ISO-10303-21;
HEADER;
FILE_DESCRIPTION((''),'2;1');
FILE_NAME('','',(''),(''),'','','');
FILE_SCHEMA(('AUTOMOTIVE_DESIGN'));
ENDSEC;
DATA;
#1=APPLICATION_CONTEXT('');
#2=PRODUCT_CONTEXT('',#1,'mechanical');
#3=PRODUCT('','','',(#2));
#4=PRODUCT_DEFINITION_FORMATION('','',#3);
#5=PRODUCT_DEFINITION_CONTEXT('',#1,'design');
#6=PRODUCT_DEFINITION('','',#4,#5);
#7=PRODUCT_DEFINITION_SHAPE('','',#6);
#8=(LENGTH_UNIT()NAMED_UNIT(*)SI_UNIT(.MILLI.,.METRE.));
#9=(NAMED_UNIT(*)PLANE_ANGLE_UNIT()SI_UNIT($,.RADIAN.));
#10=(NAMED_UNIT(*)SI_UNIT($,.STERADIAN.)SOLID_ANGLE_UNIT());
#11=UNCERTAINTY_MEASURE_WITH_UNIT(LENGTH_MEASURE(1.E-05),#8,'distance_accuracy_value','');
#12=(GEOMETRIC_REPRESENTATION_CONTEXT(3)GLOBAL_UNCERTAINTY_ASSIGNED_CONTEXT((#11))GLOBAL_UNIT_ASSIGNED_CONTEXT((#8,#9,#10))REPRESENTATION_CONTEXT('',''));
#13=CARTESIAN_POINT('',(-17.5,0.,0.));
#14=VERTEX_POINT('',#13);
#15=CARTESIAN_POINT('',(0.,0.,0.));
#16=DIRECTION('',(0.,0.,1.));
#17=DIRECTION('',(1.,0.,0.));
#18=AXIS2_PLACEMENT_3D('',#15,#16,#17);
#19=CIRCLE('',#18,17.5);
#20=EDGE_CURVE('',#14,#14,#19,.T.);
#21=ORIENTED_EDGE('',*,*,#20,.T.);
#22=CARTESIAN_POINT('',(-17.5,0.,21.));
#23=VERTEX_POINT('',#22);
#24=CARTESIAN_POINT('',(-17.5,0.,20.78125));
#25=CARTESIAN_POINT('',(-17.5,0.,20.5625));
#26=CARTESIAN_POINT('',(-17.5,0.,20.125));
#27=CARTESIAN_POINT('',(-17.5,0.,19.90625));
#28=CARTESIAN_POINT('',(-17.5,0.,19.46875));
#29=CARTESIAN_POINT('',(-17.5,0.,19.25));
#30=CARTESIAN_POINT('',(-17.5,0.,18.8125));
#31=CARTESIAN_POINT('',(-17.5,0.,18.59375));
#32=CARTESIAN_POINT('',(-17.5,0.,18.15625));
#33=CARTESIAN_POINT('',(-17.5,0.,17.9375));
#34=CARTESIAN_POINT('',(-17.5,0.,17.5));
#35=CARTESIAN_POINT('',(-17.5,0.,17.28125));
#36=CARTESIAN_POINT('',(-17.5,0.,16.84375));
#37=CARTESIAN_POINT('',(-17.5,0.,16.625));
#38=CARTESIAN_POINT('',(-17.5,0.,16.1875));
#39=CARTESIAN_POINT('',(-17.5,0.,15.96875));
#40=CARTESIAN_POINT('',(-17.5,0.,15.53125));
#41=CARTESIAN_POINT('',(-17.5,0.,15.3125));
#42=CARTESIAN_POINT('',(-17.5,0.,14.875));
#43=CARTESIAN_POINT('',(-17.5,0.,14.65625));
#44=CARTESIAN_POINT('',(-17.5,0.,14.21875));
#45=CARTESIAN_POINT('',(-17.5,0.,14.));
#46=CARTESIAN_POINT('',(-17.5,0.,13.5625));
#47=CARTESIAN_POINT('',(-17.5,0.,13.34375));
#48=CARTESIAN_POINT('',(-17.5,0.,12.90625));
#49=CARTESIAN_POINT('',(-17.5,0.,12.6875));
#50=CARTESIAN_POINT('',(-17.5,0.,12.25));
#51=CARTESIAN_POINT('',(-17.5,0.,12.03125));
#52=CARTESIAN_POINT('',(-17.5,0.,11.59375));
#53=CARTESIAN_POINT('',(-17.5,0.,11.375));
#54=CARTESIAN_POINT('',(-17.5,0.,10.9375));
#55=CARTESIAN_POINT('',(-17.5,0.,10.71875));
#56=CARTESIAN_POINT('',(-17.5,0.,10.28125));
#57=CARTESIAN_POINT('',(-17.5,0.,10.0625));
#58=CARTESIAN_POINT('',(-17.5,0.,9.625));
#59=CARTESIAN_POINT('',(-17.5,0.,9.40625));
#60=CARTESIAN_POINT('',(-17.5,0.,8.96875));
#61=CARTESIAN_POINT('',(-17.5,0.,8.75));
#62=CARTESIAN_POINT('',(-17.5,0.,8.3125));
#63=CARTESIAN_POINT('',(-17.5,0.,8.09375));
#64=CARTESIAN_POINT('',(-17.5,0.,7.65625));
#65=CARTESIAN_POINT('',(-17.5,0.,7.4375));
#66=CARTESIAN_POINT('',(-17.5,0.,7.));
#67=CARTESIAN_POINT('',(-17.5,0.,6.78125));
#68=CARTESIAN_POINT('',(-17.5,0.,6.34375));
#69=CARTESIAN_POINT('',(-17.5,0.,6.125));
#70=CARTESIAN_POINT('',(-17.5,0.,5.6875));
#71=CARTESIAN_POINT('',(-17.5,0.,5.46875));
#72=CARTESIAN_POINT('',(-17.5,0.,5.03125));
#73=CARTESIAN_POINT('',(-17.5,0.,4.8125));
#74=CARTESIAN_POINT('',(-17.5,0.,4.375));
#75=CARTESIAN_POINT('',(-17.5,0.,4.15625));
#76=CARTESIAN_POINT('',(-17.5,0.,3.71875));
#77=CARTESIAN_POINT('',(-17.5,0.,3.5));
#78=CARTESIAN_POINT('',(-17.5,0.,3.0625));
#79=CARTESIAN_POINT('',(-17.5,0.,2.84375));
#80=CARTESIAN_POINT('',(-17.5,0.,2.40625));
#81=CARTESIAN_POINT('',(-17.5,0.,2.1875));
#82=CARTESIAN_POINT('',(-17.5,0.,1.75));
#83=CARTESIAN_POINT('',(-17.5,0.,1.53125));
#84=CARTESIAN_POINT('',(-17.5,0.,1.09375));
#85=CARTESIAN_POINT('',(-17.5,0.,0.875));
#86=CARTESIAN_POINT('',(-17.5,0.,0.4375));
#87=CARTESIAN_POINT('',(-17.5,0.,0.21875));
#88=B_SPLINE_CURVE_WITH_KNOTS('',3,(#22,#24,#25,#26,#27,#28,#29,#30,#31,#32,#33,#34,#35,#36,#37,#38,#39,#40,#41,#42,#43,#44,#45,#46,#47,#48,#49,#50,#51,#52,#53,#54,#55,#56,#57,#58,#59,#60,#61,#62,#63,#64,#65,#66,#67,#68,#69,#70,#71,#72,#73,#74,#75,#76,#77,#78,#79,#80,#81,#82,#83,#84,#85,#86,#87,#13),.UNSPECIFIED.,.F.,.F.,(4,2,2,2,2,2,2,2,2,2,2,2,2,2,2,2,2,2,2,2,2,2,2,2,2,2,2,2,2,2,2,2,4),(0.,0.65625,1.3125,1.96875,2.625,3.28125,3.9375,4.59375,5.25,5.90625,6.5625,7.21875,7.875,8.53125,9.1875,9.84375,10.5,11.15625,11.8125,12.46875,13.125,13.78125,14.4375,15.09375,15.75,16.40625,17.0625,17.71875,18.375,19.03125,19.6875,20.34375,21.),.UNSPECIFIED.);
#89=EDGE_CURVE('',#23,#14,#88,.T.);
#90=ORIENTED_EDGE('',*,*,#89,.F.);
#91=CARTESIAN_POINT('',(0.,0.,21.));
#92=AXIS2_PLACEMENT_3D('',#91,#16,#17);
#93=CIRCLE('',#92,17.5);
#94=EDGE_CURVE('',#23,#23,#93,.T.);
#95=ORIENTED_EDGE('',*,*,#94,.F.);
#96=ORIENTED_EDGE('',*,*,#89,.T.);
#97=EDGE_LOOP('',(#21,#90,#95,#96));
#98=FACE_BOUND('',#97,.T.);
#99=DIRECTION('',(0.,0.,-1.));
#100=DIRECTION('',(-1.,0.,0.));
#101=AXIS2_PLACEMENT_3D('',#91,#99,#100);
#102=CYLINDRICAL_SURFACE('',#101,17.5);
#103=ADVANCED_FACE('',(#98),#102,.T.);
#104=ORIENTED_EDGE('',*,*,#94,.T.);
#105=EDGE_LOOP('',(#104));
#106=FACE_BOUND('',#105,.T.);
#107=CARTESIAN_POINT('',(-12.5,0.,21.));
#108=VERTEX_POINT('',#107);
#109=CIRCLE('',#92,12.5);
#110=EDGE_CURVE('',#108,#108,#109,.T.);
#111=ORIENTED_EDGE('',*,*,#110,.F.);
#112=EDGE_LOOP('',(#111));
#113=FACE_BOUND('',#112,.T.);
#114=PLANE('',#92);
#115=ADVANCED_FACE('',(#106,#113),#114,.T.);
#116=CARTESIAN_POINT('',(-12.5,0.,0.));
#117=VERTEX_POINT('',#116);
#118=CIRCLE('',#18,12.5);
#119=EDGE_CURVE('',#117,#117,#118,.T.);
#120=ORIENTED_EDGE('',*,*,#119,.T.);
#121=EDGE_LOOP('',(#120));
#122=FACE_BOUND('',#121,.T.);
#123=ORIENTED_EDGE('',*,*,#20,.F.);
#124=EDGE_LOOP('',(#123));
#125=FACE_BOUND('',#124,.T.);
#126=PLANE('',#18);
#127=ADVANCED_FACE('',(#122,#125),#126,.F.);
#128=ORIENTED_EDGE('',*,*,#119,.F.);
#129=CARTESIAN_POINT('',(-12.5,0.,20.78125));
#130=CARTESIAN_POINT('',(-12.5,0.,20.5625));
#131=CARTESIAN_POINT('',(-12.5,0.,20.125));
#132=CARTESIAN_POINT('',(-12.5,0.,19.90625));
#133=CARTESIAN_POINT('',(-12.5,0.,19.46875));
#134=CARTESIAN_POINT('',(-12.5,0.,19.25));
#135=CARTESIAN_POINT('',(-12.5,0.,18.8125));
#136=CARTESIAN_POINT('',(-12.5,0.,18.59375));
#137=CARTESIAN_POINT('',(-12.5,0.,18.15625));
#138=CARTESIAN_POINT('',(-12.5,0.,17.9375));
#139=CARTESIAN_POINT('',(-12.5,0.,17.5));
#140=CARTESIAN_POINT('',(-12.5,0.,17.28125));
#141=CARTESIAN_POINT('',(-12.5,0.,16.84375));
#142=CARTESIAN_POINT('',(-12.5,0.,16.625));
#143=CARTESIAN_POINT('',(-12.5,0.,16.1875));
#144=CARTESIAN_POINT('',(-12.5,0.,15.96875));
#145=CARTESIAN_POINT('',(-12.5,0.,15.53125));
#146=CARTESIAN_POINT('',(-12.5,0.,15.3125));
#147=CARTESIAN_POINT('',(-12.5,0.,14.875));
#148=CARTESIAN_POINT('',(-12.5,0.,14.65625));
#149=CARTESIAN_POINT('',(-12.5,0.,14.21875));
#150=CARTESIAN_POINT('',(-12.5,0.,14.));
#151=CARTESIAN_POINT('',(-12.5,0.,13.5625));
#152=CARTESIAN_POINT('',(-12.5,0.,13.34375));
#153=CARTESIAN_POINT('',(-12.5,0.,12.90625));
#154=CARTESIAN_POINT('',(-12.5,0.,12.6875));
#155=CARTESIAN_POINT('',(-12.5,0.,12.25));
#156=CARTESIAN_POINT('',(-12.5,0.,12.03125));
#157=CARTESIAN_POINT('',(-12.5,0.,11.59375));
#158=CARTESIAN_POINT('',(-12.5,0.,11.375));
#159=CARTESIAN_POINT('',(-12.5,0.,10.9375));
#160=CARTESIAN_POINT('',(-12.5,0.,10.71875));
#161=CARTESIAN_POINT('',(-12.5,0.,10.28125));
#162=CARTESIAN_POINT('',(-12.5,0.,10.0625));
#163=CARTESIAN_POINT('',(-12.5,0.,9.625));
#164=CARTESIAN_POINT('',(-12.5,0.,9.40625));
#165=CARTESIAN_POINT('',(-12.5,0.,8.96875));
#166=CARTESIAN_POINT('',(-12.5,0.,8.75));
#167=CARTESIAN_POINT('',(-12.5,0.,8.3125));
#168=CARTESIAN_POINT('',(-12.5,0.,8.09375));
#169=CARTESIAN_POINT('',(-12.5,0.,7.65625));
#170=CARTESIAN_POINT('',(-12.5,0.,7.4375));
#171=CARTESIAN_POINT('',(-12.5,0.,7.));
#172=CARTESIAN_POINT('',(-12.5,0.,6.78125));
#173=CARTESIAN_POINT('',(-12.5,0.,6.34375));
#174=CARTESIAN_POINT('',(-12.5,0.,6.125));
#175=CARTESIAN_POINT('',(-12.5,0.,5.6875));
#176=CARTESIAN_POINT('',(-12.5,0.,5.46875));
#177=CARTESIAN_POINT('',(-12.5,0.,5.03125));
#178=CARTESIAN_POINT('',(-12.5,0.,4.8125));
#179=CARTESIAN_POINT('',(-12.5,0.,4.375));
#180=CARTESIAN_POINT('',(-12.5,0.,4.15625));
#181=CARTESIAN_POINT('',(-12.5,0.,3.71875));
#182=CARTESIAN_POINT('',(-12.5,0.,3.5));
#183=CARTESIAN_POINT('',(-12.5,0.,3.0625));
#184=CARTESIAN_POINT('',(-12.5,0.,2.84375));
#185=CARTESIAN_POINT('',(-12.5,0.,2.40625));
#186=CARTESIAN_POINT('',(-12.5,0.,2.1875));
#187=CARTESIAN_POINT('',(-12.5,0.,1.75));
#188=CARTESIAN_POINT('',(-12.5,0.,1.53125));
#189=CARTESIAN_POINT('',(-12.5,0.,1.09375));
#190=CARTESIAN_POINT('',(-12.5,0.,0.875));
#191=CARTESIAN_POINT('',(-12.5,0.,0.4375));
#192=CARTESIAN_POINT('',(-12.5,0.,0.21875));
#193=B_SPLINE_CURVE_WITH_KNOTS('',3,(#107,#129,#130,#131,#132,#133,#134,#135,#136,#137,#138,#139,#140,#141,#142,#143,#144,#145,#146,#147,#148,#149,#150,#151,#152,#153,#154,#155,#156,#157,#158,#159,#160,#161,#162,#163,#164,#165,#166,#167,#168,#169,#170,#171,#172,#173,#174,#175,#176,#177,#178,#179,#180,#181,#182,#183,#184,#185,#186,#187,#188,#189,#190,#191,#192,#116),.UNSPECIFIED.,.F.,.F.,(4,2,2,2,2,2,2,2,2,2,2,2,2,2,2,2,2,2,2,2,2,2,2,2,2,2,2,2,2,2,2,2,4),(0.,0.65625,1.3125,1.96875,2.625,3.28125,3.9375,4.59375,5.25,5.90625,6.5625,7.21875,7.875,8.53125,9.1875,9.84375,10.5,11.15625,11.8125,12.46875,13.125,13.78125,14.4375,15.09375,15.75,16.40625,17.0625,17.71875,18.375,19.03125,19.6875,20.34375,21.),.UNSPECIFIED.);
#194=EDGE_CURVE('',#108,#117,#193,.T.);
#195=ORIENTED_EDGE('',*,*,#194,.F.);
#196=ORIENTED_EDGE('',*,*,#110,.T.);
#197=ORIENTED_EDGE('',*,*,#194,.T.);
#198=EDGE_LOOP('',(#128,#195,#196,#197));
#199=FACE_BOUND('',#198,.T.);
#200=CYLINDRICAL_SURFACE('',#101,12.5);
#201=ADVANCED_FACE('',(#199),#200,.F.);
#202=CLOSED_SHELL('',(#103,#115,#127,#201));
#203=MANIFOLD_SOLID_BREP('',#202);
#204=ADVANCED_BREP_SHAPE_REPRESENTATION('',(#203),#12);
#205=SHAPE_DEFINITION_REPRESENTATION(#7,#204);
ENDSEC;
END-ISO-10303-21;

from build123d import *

# Parameters (mm, degrees)
SKETCH1_R                          = 17.5
SKETCH1_R_2                        = 12.5
OUTPUT_STOPPER_TUBE_35X25X21_DEPTH = 21


with BuildPart() as part:
    # Sketch1 → Output_Stopper_Tube_35x25x21 (new body)
    with BuildSketch(Plane.XY):
        with Locations(Location((0, 0, 0), (0, 0, 180))):
            Circle(SKETCH1_R)
        with Locations(Location((0, 0, 0), (0, 0, 180))):
            Circle(SKETCH1_R_2, mode=Mode.SUBTRACT)
    extrude(amount=OUTPUT_STOPPER_TUBE_35X25X21_DEPTH)


solid = part.part
